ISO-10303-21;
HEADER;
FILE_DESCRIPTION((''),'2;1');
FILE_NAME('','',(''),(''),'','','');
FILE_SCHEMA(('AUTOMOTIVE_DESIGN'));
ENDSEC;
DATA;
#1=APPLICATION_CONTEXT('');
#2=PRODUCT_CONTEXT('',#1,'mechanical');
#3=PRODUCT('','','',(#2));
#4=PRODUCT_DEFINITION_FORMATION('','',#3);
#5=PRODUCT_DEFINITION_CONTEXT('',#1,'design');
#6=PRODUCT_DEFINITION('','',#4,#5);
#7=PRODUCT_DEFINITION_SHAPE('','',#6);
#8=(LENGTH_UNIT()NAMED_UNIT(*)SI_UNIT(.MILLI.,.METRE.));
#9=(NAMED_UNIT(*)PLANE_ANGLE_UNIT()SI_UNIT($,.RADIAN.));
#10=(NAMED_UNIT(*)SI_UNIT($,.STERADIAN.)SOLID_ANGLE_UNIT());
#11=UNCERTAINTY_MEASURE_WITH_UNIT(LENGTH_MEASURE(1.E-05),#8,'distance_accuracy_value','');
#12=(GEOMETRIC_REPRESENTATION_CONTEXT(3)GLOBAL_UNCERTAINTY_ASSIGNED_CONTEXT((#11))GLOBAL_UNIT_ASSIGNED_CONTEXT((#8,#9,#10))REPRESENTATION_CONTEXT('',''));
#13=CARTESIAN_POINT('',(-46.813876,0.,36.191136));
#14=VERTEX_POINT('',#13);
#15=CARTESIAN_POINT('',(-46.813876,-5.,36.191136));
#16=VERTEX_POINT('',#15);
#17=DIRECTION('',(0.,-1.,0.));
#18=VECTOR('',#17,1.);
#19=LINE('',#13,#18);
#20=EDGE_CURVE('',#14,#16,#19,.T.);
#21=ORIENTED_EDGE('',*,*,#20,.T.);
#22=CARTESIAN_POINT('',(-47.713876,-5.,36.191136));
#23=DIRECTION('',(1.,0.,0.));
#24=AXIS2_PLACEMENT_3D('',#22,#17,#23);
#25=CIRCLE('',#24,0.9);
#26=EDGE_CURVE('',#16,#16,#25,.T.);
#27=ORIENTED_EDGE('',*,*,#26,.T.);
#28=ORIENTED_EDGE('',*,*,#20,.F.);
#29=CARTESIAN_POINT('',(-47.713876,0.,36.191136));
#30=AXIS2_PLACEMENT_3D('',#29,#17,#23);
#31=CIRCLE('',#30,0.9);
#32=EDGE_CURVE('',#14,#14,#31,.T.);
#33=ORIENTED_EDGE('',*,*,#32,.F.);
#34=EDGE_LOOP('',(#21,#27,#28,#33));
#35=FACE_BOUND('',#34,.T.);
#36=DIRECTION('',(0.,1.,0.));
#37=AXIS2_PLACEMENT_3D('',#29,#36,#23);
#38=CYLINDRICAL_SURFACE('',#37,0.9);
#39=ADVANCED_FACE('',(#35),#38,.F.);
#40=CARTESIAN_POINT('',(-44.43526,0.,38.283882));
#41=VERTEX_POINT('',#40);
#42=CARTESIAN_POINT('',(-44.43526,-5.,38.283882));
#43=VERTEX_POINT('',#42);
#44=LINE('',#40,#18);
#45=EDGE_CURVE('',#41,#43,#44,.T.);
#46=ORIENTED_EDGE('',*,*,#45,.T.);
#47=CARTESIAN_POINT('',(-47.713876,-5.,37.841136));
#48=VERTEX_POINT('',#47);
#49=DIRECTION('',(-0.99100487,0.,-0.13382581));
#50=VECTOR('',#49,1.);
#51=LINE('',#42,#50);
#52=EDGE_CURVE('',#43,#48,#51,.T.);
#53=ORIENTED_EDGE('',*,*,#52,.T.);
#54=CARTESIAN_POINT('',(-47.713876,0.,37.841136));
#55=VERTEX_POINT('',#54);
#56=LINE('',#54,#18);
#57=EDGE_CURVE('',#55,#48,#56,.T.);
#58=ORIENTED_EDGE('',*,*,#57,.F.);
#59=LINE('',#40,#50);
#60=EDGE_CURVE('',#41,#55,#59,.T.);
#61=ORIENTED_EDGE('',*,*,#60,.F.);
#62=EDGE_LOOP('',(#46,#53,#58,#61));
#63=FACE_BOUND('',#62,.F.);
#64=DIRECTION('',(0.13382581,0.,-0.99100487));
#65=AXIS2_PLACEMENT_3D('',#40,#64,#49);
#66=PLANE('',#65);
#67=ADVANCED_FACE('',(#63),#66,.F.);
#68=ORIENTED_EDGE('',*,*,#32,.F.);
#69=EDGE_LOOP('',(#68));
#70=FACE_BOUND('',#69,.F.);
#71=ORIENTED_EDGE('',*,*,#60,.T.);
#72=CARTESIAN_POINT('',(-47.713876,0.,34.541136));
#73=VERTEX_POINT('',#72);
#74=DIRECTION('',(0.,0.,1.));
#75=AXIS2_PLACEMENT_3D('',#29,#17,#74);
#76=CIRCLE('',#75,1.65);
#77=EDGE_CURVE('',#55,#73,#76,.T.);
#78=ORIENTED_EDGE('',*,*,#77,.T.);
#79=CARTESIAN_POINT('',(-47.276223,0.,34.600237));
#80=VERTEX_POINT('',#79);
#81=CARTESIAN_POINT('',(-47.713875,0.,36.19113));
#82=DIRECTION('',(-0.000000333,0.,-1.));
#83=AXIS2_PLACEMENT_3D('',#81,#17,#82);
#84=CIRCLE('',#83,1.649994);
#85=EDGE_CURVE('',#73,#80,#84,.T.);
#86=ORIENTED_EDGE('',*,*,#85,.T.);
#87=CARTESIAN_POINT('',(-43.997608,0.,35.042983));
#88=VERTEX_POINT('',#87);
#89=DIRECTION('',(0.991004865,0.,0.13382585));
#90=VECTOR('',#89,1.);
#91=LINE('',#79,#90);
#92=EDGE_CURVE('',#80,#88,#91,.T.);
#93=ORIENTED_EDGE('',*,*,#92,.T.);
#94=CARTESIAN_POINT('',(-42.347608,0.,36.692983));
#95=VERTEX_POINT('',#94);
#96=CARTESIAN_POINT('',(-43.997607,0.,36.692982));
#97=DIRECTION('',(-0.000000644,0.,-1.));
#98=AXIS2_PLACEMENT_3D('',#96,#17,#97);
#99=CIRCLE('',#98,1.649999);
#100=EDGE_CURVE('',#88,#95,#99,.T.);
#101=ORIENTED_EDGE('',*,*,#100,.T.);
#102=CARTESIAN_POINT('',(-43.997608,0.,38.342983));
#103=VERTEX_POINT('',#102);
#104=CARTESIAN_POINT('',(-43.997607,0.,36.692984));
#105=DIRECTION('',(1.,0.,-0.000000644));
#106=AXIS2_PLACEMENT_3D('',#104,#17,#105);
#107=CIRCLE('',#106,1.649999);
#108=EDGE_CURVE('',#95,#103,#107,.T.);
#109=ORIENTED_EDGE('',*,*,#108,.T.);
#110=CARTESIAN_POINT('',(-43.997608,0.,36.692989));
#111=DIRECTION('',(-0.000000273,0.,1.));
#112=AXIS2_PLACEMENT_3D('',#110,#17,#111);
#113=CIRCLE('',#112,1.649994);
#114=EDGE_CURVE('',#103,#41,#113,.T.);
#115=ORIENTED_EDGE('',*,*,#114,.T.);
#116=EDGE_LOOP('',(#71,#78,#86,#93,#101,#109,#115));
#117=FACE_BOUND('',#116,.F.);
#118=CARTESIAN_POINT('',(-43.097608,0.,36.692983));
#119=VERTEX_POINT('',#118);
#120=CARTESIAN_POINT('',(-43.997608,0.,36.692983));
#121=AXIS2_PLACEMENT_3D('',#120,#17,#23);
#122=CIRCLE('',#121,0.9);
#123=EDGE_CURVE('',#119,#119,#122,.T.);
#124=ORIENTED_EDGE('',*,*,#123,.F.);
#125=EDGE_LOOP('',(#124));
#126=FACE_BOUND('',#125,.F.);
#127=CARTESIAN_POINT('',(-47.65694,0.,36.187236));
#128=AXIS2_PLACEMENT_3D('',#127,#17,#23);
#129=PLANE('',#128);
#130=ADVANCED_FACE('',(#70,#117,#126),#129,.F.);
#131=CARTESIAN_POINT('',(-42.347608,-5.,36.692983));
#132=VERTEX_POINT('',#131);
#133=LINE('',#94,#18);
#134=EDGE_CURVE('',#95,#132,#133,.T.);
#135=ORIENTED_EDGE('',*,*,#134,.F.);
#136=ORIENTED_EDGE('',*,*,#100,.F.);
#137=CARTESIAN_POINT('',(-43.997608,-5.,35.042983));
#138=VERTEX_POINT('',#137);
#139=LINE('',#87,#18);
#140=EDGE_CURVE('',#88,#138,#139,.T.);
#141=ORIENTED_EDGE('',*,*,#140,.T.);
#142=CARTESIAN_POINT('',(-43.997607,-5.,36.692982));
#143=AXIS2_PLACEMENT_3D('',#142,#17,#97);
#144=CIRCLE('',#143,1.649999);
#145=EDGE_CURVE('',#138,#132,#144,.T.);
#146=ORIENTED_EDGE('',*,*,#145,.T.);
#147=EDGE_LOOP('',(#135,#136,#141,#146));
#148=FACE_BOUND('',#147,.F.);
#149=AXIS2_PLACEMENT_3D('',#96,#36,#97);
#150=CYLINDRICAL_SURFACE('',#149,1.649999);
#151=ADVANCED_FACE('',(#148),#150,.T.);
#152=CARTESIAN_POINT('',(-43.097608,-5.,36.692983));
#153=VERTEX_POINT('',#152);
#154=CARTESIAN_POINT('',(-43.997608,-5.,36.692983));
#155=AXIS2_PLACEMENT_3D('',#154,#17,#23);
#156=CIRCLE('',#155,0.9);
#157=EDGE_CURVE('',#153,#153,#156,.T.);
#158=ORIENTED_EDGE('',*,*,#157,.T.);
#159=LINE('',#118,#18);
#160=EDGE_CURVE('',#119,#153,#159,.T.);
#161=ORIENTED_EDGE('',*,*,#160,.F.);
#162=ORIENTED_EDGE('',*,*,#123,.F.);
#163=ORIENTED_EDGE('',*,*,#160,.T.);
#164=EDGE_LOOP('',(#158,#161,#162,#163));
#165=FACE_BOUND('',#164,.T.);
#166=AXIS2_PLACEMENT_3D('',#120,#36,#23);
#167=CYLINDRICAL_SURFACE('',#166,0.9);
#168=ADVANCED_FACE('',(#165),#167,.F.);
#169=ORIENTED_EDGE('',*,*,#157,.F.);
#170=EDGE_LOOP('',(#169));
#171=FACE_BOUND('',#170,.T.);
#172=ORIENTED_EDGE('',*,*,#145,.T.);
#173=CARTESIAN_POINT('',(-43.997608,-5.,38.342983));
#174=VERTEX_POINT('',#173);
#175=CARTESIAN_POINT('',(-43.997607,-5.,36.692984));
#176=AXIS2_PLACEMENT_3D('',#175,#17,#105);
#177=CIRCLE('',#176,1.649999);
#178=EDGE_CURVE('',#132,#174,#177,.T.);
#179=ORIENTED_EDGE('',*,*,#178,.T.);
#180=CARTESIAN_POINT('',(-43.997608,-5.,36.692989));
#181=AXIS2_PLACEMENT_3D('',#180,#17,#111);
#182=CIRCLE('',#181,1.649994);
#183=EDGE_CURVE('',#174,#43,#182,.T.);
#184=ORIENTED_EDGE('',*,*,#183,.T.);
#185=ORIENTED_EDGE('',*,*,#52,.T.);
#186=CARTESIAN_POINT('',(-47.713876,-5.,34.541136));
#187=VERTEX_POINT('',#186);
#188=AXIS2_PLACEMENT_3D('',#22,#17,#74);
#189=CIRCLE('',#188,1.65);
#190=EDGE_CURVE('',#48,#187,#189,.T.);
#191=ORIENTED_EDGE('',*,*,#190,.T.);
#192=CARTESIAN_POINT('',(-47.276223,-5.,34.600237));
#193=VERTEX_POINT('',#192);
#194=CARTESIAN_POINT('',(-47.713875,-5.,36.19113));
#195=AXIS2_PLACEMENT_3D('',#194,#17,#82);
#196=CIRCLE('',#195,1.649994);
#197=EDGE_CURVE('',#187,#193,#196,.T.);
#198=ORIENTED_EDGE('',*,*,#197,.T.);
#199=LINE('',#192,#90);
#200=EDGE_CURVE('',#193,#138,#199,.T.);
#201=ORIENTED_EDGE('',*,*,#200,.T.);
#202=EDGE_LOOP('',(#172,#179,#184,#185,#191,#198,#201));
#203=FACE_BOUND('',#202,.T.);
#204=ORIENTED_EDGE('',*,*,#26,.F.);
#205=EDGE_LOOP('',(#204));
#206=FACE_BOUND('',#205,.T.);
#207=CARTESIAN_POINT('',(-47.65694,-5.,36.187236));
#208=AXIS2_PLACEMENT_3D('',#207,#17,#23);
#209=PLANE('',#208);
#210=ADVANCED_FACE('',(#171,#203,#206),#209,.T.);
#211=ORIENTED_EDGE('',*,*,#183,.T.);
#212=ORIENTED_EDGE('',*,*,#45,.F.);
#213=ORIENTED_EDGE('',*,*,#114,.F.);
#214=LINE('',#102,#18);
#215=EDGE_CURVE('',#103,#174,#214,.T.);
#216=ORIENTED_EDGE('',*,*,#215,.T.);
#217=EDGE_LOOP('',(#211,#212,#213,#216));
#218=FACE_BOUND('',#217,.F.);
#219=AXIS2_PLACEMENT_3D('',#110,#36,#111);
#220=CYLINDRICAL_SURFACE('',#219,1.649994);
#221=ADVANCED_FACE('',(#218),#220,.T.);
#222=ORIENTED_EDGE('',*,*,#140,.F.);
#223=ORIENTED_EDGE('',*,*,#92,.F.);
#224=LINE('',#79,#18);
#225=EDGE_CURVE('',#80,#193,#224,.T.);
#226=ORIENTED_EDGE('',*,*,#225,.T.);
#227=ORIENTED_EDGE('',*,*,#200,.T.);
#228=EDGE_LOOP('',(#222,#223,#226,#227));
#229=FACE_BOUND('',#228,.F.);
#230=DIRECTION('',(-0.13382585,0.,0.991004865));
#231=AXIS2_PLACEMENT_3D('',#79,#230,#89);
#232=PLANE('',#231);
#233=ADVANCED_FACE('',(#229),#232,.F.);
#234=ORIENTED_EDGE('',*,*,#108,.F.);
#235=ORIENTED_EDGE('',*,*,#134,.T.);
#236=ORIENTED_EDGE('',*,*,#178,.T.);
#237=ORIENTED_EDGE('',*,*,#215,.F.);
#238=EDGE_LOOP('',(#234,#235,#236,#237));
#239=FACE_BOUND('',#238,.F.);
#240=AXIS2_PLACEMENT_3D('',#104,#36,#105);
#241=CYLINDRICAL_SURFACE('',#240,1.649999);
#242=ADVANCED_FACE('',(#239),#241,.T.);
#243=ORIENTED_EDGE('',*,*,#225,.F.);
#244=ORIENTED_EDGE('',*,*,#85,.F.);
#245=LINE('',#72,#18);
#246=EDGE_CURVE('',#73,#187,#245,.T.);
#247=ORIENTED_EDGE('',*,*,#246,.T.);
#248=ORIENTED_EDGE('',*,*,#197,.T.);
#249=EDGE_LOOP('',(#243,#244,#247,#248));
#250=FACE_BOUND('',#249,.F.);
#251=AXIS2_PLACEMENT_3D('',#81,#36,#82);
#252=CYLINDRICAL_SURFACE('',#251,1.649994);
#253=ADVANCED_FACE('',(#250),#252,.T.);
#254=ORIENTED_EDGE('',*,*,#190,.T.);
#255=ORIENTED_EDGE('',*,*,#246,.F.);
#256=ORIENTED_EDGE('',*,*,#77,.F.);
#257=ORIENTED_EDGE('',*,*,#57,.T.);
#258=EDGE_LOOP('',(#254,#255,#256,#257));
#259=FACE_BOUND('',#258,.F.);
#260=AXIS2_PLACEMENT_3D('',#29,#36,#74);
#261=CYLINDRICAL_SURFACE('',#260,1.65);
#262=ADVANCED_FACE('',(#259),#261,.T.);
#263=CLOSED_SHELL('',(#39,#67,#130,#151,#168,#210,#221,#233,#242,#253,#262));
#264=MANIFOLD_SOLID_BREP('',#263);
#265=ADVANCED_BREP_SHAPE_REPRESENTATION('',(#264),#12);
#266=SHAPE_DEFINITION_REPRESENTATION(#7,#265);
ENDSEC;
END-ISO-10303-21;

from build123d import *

# Parameters (mm, degrees)
F0_R     = 0.9
F1_DEPTH = 5


with BuildPart() as f1:
    # F0 (on Front) → F1 (new body)
    with BuildSketch(Plane.XZ):
        with BuildLine():
            ThreePointArc((-47.276223, 34.600237), (-46.401506, 35.191042), (-46.063876, 36.191136))
            ThreePointArc((-46.063876, 36.191136), (-46.54715, 37.357862), (-47.713876, 37.841136))
            ThreePointArc((-47.713876, 37.841136), (-49.363876, 36.191136), (-47.713876, 34.541136))
            Line((-47.713876, 34.541136), (-47.276223, 34.600237))
        make_face()
        with Locations((-47.713876, 36.191136)):
            Circle(F0_R, mode=Mode.SUBTRACT)
        with BuildLine():
            ThreePointArc((-47.713876, 37.841136), (-46.54715, 37.357862), (-46.063876, 36.191136))
            ThreePointArc((-46.063876, 36.191136), (-46.401506, 35.191042), (-47.276223, 34.600237))
            Line((-47.276223, 34.600237), (-43.997608, 35.042983))
            ThreePointArc((-43.997608, 35.042983), (-45.632766, 36.47217), (-44.43526, 38.283882))
            Line((-44.43526, 38.283882), (-47.713876, 37.841136))
        make_face()
        with BuildLine():
            ThreePointArc((-47.713876, 34.541136), (-47.493063, 34.555978), (-47.276223, 34.600237))
            Line((-47.276223, 34.600237), (-47.713876, 34.541136))
        make_face()
        with BuildLine():
            Line((-43.997608, 38.342983), (-44.43526, 38.283882))
            ThreePointArc((-44.43526, 38.283882), (-45.632766, 36.47217), (-43.997608, 35.042983))
            ThreePointArc((-43.997608, 35.042983), (-42.830881, 35.526257), (-42.347608, 36.692983))
            ThreePointArc((-42.347608, 36.692983), (-42.830881, 37.859709), (-43.997608, 38.342983))
        make_face()
        with Locations((-43.997608, 36.692983)):
            Circle(F0_R, mode=Mode.SUBTRACT)
        with BuildLine():
            ThreePointArc((-43.997608, 38.342983), (-44.21842, 38.328141), (-44.43526, 38.283882))
            Line((-44.43526, 38.283882), (-43.997608, 38.342983))
        make_face()
    extrude(amount=F1_DEPTH)


solid = f1.part
